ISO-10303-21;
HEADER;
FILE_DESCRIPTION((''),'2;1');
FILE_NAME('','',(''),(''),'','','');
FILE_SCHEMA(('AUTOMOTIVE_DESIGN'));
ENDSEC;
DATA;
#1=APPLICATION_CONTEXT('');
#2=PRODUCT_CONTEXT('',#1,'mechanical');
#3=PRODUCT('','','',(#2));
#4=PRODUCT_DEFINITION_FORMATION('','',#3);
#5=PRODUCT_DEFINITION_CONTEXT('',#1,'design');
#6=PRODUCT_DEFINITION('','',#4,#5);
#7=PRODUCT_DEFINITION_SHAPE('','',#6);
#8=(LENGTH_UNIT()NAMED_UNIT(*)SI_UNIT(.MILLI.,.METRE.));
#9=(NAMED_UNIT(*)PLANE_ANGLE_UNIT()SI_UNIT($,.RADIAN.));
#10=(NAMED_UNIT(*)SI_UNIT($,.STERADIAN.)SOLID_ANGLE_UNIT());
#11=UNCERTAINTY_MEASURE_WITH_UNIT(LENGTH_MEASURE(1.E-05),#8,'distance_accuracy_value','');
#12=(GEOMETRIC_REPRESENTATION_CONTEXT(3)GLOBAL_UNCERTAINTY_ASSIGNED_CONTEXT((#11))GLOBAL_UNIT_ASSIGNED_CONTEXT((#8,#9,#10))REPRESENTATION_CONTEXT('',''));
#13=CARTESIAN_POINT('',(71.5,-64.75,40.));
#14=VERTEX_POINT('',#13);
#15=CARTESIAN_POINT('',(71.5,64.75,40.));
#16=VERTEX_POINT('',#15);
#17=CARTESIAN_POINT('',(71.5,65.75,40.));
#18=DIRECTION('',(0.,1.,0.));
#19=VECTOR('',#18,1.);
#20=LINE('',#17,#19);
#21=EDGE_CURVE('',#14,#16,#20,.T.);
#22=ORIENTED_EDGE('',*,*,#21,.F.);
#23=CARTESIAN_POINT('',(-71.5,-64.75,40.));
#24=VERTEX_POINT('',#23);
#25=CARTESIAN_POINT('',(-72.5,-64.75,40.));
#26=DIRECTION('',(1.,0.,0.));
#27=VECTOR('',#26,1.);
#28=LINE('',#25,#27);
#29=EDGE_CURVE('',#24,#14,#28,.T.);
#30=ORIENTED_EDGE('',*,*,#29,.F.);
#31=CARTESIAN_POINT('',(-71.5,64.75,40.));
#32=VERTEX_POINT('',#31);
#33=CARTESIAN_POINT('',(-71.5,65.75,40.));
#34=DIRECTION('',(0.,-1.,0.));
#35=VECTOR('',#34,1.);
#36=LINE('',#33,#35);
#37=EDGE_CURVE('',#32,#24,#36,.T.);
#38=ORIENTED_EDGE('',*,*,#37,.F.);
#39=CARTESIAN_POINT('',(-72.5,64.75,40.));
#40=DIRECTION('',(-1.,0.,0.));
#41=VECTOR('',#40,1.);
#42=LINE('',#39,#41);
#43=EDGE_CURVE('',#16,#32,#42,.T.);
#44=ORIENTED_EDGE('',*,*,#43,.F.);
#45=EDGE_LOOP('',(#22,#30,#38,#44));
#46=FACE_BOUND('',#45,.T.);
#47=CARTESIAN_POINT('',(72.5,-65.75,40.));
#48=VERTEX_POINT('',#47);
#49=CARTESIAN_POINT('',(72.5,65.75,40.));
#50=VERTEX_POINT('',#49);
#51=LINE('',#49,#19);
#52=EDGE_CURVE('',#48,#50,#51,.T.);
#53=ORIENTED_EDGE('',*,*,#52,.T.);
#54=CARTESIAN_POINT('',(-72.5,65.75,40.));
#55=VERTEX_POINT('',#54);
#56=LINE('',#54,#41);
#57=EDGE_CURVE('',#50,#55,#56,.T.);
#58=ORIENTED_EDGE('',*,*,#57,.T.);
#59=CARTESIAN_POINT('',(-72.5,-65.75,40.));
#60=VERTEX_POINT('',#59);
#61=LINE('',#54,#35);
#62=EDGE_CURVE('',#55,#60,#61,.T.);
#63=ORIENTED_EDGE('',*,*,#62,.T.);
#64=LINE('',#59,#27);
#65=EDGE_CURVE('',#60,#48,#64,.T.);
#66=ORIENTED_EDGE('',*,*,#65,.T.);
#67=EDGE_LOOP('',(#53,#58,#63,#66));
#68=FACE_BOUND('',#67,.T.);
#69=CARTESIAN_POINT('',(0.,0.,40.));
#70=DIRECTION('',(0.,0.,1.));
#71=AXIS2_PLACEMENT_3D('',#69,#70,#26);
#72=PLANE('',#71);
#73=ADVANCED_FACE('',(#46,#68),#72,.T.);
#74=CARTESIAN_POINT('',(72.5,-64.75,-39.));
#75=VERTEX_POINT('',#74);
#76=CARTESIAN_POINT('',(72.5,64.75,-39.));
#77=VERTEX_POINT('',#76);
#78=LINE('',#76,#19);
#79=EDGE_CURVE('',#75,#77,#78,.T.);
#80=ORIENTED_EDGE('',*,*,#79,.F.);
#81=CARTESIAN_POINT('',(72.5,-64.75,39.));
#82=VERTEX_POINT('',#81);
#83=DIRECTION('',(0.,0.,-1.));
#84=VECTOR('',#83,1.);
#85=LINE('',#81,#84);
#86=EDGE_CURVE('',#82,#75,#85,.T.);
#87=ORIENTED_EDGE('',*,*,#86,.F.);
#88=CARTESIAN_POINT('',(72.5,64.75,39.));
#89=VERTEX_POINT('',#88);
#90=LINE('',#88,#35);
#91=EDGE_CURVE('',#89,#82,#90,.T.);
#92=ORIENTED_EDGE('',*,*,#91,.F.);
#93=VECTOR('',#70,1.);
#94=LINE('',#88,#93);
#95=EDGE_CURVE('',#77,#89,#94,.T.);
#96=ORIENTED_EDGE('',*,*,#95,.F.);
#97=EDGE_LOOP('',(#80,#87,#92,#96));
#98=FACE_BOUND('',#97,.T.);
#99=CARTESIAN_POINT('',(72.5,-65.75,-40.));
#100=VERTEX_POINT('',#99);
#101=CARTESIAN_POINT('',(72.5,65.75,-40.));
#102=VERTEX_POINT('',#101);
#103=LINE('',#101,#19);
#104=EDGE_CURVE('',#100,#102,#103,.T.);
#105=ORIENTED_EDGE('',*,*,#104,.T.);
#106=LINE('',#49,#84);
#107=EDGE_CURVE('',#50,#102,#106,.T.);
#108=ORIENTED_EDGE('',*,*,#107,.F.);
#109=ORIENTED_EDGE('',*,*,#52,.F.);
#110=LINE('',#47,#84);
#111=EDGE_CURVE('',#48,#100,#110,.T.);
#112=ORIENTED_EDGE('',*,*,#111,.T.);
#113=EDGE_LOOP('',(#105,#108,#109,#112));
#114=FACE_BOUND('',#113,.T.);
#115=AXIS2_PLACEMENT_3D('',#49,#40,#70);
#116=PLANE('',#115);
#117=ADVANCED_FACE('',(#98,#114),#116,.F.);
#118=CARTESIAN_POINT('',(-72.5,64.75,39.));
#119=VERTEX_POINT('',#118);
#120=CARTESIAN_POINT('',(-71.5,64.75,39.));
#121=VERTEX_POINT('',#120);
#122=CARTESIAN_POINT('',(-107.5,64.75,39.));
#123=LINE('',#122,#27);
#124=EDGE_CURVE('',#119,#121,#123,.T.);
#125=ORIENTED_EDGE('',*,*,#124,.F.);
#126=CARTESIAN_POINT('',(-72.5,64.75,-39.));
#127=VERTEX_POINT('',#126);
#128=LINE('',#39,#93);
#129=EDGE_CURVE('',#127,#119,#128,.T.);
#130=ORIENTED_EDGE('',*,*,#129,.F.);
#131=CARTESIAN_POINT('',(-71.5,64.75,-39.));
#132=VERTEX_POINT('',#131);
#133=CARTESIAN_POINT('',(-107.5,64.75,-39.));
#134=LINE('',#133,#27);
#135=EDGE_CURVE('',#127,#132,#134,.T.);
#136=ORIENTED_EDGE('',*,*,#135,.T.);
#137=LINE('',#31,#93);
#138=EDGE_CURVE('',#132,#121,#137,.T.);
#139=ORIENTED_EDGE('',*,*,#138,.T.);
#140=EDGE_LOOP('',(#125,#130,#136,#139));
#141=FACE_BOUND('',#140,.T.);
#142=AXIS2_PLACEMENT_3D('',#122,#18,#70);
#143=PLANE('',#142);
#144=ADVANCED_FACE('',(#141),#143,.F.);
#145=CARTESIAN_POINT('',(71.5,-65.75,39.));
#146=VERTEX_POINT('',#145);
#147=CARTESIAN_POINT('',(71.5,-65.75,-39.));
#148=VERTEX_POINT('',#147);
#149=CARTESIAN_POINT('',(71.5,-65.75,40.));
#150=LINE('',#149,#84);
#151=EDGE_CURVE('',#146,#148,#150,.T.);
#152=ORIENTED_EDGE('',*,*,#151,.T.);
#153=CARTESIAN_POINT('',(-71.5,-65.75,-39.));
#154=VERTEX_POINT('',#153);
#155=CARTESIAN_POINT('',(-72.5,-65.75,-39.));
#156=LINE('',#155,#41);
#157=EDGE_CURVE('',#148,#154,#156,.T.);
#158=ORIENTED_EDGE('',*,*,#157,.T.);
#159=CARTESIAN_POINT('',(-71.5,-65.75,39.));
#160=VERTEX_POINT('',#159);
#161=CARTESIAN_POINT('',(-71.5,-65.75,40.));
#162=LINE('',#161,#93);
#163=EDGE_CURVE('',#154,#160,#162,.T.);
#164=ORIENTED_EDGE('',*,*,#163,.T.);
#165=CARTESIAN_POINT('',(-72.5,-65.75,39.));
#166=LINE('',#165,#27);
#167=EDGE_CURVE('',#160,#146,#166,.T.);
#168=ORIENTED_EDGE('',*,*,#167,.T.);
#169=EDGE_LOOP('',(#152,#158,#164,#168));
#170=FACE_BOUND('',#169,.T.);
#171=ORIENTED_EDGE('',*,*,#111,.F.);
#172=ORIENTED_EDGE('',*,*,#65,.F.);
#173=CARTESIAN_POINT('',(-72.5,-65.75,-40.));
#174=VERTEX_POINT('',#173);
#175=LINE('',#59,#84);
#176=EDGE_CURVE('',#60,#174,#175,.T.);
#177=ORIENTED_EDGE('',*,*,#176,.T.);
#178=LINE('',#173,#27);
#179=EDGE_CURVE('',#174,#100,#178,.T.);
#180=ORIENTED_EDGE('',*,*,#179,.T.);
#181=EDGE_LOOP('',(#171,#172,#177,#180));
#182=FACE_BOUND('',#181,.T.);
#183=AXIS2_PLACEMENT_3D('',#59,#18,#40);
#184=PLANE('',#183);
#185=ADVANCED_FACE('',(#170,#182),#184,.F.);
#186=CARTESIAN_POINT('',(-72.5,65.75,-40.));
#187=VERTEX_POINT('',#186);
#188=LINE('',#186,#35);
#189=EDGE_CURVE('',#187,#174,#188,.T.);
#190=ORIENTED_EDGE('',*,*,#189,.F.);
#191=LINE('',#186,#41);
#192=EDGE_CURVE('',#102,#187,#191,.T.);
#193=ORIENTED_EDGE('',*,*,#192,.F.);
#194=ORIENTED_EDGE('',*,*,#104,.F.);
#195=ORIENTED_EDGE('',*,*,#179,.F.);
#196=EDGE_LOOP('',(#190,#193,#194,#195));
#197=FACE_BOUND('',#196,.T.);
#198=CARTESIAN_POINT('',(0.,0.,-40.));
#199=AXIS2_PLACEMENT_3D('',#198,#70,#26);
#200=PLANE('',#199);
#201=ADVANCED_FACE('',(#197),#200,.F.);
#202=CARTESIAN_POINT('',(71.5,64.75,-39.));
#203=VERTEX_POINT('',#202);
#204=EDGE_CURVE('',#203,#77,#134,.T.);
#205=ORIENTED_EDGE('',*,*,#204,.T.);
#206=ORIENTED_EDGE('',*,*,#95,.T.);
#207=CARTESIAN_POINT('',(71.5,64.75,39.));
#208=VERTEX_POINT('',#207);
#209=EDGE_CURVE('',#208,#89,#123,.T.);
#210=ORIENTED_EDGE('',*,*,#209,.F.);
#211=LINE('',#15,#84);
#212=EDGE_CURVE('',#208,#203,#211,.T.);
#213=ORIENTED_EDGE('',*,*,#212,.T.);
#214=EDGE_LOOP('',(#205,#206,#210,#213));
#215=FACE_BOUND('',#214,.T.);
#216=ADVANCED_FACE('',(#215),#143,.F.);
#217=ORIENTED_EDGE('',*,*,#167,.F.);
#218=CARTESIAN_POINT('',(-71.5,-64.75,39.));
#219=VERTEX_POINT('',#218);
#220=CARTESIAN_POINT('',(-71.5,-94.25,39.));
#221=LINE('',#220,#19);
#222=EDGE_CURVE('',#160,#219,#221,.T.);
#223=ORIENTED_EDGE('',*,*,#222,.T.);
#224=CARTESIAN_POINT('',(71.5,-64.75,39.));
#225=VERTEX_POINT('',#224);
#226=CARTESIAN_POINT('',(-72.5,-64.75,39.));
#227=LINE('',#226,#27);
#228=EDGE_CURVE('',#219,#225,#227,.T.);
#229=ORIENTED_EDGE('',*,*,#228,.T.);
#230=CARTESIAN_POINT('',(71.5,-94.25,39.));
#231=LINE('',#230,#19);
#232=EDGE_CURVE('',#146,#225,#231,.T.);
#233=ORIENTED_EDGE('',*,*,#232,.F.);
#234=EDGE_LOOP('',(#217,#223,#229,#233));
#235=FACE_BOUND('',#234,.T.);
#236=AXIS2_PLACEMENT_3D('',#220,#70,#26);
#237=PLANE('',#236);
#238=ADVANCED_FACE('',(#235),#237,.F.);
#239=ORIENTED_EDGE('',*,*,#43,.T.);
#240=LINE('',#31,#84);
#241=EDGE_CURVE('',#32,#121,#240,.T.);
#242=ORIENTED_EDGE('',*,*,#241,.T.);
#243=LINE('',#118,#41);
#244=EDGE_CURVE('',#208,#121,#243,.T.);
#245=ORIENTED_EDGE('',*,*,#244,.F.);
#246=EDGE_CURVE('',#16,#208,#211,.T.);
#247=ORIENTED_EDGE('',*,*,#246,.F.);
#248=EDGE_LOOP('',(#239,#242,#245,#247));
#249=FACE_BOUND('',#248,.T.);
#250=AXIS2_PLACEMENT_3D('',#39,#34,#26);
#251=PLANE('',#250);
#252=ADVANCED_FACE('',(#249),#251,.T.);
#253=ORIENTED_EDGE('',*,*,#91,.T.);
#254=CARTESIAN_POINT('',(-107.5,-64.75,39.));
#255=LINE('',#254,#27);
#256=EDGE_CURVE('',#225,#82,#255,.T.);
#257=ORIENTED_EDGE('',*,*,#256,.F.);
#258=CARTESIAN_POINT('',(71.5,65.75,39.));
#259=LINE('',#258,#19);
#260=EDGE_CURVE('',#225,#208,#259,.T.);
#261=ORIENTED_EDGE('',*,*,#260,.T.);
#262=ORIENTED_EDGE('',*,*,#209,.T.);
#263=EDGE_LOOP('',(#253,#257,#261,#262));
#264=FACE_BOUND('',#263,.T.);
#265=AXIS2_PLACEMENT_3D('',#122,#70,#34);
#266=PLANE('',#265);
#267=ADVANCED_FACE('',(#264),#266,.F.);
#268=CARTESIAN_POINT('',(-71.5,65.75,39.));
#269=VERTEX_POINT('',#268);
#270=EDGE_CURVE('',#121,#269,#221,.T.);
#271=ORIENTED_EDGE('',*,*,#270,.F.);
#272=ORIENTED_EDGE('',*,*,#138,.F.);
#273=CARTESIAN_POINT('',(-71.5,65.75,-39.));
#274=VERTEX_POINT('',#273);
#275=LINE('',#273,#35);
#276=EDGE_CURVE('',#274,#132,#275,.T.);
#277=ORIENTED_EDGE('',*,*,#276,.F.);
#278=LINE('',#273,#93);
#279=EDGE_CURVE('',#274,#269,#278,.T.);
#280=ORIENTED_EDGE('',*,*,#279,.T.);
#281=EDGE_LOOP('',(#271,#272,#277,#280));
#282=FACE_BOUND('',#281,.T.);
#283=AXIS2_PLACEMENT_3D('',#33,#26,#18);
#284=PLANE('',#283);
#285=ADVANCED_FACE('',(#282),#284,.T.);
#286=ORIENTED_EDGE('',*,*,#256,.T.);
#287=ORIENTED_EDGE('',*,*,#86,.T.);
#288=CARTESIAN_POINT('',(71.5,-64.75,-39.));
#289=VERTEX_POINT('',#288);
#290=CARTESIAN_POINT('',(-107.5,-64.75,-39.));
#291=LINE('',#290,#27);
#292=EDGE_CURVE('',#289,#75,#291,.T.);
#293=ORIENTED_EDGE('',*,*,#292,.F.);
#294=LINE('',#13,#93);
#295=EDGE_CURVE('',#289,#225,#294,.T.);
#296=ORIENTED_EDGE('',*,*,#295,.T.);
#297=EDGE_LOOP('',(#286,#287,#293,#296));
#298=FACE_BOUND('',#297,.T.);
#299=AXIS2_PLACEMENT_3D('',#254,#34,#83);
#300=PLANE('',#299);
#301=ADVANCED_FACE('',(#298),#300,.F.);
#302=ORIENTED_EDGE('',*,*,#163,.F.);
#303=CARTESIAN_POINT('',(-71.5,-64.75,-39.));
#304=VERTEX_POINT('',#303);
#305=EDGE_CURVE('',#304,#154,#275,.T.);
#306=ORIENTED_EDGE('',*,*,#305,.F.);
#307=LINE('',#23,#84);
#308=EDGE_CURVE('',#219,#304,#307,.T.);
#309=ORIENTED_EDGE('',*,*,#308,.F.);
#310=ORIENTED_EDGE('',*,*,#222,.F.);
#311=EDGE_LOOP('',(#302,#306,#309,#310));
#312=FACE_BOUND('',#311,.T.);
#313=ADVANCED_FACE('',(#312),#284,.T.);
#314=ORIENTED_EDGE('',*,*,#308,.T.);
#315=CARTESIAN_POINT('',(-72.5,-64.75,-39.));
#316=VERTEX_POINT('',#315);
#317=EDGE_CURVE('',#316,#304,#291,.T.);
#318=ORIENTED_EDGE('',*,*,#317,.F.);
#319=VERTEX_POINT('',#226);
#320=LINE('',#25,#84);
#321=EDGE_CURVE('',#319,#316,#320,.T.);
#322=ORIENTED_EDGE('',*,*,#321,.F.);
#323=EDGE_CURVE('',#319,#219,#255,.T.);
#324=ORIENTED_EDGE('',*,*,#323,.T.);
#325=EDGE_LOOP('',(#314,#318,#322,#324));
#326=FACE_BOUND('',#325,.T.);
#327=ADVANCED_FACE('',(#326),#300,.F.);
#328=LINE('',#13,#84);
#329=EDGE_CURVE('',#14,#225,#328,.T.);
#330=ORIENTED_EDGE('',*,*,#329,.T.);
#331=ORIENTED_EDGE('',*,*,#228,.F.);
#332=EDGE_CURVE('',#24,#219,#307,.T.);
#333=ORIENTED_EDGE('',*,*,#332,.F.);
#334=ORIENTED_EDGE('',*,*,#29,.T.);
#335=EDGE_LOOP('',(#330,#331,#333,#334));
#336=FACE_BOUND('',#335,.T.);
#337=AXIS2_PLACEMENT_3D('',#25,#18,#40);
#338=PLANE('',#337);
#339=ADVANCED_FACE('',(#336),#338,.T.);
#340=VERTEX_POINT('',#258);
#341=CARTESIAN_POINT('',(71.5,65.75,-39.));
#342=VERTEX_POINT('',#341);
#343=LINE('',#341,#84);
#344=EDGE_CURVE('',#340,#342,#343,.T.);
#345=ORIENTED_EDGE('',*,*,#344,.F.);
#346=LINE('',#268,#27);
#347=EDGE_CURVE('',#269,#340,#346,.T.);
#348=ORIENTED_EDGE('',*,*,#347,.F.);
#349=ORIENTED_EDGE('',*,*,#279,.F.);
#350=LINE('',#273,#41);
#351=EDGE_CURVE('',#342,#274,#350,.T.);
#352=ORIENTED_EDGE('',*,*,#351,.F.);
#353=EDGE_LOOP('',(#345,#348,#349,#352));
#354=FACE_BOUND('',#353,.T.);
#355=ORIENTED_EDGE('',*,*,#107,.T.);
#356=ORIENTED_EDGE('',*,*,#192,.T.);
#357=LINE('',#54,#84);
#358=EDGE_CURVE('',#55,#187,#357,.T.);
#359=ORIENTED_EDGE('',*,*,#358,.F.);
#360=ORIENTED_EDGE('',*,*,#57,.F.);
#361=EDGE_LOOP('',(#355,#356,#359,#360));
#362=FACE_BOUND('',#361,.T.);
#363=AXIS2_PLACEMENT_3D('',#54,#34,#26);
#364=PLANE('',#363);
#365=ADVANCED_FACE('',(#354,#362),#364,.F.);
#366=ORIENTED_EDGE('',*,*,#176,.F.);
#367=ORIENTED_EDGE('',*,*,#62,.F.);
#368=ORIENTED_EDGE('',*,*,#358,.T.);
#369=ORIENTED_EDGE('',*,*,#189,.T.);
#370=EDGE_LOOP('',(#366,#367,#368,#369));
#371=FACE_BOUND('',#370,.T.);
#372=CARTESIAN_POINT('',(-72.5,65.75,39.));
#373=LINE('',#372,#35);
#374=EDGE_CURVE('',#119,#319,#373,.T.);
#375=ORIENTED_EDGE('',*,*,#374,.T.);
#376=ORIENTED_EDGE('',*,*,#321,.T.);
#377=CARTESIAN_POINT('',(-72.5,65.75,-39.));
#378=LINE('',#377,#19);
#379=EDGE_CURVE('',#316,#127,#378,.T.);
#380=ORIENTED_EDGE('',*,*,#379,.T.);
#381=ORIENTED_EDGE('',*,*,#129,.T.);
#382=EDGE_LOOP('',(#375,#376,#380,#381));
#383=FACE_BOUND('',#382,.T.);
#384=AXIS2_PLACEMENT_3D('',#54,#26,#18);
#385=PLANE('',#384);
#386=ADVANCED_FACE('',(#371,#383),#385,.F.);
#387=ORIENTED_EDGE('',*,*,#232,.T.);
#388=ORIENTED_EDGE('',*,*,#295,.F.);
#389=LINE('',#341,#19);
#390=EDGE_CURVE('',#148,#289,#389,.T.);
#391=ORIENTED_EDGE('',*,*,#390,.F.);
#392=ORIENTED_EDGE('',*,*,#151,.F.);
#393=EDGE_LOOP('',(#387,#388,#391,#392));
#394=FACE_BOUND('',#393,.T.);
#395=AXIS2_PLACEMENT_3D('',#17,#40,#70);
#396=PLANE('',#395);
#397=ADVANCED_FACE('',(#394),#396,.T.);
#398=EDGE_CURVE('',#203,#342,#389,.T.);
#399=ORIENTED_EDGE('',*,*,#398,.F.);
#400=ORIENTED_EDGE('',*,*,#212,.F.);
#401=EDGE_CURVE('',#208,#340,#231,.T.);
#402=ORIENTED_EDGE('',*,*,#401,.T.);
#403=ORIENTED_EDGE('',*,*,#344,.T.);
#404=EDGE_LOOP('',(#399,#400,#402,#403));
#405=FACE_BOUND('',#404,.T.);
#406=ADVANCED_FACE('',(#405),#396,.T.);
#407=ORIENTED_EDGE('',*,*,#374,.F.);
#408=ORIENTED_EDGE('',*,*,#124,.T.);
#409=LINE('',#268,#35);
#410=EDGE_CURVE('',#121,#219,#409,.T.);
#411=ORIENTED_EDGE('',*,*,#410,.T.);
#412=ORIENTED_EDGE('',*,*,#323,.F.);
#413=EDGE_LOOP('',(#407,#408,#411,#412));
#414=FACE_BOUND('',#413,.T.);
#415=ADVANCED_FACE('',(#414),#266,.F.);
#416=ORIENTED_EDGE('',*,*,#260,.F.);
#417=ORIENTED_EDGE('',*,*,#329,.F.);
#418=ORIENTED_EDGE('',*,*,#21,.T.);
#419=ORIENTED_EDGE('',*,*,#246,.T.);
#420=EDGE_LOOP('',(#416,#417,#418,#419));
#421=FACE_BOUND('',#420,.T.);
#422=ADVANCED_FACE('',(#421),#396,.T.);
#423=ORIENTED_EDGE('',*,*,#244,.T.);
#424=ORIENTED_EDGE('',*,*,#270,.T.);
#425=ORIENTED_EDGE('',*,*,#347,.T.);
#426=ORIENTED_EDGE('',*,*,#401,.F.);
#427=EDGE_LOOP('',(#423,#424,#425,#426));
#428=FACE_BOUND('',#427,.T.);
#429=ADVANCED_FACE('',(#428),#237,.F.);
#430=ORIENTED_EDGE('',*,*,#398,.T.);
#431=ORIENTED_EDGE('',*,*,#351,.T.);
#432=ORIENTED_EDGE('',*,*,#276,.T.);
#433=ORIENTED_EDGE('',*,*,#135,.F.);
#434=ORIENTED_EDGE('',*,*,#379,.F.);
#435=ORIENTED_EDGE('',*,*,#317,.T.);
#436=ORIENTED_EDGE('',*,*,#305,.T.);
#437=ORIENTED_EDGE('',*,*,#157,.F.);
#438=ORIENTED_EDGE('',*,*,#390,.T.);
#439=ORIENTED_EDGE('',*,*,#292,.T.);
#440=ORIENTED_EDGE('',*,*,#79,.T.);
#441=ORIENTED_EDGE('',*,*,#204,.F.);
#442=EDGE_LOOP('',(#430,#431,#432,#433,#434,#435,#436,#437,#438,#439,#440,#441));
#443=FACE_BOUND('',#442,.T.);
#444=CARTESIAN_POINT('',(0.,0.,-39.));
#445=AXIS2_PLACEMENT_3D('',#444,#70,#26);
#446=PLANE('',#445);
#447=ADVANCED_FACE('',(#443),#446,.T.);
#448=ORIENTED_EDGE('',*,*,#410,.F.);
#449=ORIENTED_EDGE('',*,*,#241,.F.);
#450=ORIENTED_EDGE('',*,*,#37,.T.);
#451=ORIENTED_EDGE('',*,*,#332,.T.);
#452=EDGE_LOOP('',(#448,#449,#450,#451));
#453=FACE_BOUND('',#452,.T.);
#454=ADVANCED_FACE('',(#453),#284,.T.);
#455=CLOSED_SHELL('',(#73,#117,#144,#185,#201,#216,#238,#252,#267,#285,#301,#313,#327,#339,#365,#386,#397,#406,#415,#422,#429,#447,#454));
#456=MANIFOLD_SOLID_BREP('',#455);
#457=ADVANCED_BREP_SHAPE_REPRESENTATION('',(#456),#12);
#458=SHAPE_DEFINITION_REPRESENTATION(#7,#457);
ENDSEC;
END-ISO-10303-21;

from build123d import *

# Parameters (mm, degrees)
CROQUIS1_W              = 145
CROQUIS1_H              = 131.5
SALIENTE_EXTRUIR1_DEPTH = 40
VACIADO1_T              = -1
CROQUIS2_W              = 143
CROQUIS2_H              = 78
CORTAR_EXTRUIR1_DEPTH   = 160
CROQUIS3_W              = 78
CROQUIS3_H              = 129.5
CORTAR_EXTRUIR2_DEPTH   = 180


with BuildPart() as part:
    # Croquis1 → Saliente-Extruir1 (new, symmetric)
    with BuildSketch(Plane.XY):
        Rectangle(CROQUIS1_W, CROQUIS1_H)
    extrude(amount=SALIENTE_EXTRUIR1_DEPTH, both=True)

    # Vaciado1
    vaciado1_openings = [part.faces().sort_by_distance(p)[0] for p in [
        (0, 0, 40),
    ]]
    offset(amount=VACIADO1_T, openings=vaciado1_openings, kind=Kind.INTERSECTION)

    # Croquis2 → Cortar-Extruir1 (cut)
    with BuildSketch(Plane(origin=(0, 65.75, 0), x_dir=(1, 0, 0), z_dir=(0, 1, 0))):
        Rectangle(CROQUIS2_W, CROQUIS2_H)
    extrude(amount=-CORTAR_EXTRUIR1_DEPTH, mode=Mode.SUBTRACT)

    # Croquis3 → Cortar-Extruir2 (cut)
    with BuildSketch(Plane(origin=(72.5, 0, 0), x_dir=(0, 0, -1), z_dir=(1, 0, 0))):
        Rectangle(CROQUIS3_W, CROQUIS3_H)
    extrude(amount=-CORTAR_EXTRUIR2_DEPTH, mode=Mode.SUBTRACT)


solid = part.part
